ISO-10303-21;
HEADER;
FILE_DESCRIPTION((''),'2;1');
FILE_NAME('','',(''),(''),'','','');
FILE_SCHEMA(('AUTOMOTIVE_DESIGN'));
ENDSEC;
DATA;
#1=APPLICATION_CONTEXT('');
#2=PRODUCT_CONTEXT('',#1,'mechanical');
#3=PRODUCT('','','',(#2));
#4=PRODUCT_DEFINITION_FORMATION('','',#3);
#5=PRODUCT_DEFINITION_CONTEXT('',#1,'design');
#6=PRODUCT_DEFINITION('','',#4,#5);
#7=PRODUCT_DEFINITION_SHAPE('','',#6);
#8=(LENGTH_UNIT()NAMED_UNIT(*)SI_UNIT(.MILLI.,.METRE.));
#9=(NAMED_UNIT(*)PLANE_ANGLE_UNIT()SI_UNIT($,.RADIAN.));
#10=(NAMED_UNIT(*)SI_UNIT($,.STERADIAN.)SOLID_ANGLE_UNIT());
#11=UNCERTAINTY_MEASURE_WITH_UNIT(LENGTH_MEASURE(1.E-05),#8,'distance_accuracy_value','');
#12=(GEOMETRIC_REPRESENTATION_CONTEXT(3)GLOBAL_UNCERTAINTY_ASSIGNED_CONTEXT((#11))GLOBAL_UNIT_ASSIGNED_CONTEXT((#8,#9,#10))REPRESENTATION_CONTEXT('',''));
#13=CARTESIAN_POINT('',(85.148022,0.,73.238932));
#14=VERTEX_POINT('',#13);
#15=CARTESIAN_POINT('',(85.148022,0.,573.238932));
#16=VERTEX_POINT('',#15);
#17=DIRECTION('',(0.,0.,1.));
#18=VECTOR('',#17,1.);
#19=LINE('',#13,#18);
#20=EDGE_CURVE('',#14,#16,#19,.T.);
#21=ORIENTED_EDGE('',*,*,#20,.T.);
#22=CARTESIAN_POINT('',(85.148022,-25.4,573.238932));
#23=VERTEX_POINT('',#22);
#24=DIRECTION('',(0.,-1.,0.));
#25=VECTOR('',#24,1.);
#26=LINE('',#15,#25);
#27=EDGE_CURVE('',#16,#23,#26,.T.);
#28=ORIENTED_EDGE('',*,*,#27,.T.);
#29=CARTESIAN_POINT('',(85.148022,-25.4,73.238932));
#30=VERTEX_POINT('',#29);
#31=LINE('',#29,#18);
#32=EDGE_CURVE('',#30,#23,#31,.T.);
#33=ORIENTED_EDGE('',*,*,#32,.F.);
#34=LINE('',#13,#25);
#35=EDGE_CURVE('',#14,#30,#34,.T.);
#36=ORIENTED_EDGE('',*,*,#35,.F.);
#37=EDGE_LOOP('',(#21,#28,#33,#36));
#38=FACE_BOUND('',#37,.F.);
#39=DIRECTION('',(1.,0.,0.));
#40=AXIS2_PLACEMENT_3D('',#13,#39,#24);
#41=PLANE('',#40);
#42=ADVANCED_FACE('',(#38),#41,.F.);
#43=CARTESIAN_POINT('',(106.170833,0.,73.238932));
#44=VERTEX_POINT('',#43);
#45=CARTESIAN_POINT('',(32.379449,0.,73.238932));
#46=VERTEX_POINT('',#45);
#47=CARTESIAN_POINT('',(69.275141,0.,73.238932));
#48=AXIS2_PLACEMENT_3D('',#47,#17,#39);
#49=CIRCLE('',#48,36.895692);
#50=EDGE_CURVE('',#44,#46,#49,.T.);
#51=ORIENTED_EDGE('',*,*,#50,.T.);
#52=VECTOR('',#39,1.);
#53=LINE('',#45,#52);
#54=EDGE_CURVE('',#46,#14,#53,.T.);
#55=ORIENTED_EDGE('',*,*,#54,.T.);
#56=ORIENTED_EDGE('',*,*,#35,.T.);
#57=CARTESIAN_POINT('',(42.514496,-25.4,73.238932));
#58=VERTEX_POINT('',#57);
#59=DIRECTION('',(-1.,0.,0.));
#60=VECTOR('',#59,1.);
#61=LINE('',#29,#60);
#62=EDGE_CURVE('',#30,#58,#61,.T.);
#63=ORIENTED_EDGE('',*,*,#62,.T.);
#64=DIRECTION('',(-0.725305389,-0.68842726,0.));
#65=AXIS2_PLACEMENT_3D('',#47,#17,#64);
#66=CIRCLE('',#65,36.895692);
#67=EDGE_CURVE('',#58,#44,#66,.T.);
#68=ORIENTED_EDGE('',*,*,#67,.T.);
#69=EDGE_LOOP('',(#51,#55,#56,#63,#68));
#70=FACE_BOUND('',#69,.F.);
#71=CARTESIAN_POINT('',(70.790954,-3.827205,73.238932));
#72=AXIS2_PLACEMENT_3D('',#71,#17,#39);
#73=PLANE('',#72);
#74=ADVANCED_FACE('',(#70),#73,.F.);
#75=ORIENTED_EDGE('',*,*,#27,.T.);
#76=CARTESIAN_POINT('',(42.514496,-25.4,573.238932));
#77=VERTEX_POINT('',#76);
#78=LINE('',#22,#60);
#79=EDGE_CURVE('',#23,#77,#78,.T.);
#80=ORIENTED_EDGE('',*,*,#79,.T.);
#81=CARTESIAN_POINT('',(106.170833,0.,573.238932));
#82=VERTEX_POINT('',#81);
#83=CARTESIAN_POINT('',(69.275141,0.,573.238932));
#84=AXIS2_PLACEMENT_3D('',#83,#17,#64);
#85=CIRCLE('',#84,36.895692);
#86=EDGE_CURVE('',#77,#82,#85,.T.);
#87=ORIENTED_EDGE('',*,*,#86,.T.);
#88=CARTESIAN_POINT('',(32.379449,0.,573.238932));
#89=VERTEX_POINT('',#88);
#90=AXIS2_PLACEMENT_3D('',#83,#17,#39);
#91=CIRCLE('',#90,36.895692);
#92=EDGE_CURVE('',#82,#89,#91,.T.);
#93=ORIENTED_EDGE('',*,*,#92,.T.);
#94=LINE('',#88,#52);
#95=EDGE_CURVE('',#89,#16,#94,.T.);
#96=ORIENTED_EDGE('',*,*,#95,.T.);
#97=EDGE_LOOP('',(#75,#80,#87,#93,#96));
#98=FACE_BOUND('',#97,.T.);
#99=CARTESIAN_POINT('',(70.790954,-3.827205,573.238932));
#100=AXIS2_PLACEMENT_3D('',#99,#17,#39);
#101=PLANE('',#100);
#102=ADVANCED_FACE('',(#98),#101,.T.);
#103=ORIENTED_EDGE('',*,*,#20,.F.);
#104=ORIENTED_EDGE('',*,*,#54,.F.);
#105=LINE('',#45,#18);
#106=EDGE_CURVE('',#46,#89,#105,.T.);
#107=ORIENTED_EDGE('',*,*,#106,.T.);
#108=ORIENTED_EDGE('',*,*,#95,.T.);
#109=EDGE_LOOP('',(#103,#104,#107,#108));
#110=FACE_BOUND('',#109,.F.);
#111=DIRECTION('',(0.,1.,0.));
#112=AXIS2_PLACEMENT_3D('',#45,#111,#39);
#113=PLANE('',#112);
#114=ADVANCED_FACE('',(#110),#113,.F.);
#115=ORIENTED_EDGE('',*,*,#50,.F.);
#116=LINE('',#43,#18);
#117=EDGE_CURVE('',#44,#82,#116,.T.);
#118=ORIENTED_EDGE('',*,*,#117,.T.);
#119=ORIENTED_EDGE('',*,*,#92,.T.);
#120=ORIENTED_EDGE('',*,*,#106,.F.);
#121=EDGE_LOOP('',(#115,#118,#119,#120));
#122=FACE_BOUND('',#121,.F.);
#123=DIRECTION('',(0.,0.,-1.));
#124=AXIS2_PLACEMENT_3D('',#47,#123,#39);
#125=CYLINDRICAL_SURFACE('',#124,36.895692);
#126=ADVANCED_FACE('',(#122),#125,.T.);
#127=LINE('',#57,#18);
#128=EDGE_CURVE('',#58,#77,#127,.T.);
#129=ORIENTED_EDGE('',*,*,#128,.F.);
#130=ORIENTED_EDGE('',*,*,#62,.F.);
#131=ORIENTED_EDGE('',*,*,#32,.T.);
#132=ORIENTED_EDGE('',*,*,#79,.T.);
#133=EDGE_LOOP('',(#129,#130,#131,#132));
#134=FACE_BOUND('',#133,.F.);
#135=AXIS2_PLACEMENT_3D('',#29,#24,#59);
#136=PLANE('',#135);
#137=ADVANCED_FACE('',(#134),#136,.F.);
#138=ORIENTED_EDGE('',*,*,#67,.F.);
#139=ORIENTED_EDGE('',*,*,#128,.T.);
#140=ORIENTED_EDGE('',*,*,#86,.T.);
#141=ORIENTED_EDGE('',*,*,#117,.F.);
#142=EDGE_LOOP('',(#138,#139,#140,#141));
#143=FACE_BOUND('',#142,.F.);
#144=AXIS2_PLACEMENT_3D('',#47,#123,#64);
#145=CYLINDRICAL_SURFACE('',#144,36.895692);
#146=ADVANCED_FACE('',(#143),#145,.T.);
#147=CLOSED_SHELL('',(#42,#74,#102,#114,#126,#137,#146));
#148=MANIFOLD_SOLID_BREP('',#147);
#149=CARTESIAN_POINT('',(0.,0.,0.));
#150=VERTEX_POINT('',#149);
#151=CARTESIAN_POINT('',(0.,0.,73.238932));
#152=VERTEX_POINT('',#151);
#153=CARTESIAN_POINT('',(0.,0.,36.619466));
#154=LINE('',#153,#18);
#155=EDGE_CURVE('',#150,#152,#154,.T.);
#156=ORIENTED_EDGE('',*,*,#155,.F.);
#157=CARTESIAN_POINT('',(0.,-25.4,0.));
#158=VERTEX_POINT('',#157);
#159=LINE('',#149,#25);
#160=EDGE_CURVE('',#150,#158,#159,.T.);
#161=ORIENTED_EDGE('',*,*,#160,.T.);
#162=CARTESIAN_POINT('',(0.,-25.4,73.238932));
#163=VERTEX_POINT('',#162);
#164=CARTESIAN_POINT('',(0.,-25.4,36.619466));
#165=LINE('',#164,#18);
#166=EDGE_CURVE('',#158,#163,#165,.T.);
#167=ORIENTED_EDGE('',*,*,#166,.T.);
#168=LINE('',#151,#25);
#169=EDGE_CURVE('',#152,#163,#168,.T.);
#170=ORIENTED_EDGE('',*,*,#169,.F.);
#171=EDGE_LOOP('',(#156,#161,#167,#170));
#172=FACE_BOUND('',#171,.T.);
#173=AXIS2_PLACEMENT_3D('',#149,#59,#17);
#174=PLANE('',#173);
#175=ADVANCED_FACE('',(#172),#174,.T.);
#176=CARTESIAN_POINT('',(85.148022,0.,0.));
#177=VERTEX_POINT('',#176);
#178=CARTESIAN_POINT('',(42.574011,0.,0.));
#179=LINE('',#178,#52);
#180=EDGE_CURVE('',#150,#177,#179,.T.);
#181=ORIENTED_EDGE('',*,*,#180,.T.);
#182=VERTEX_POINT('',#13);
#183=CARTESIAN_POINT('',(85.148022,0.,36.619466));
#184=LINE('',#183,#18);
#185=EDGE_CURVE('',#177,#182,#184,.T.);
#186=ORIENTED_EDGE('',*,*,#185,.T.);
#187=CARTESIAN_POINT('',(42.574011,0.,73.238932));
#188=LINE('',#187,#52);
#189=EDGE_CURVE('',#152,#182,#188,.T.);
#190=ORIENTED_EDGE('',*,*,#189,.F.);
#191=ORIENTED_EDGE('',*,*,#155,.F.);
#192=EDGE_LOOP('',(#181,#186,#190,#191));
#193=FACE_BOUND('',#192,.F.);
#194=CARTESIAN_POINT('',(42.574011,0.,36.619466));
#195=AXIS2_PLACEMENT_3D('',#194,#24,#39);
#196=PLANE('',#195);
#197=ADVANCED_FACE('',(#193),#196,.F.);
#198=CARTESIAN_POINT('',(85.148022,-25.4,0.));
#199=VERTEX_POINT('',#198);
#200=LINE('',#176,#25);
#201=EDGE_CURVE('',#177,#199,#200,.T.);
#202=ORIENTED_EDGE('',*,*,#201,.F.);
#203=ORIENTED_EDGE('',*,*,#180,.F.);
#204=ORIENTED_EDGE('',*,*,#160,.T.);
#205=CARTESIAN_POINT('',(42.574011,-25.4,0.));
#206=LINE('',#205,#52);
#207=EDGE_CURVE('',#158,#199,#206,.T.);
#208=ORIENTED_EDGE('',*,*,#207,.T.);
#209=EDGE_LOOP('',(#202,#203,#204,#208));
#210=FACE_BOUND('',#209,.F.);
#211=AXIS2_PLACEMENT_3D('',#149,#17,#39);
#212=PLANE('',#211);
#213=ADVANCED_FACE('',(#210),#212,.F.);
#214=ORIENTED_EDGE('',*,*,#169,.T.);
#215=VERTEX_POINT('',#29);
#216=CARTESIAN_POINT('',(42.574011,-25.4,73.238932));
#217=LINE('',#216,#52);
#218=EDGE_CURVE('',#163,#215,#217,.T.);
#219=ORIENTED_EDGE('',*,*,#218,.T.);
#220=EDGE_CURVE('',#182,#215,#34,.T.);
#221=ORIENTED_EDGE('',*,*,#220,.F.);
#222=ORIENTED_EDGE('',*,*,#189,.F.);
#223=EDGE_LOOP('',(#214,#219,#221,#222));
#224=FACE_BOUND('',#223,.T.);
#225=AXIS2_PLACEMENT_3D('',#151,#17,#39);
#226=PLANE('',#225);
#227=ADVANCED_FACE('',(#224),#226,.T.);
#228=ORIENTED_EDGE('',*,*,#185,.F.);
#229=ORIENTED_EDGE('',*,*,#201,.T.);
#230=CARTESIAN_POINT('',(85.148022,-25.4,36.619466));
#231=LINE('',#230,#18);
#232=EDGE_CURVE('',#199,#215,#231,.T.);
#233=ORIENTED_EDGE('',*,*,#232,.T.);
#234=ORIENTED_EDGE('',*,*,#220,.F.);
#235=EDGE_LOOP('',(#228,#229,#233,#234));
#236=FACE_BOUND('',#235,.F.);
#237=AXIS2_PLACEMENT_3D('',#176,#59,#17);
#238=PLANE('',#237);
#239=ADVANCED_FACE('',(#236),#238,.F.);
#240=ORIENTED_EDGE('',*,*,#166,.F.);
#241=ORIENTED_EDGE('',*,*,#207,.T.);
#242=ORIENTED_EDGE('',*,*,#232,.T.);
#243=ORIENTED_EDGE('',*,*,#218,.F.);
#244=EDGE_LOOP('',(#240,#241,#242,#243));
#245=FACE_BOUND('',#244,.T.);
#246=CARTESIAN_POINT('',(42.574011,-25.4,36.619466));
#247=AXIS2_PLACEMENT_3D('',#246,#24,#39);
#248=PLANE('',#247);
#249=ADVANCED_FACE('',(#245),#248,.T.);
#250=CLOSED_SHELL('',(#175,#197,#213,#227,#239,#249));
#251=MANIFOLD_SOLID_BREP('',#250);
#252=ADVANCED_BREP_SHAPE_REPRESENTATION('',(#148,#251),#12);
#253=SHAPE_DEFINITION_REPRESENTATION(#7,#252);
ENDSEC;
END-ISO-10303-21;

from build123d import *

# Parameters (mm, degrees)
F0_W     = 85.148022
F0_H     = 73.238932
F1_DEPTH = 25.4
F3_DEPTH = 500


with BuildPart() as f1:
    # F0 (on Front) → F1 (new body)
    with BuildSketch(Plane.XZ):
        with Locations((42.574011, 36.619466)):
            Rectangle(F0_W, F0_H)
    extrude(amount=F1_DEPTH)


with BuildPart() as f3:
    # F2 (on face) → F3 (new body)
    with BuildSketch(Plane.XY.offset(73.238932)):
        with BuildLine():
            ThreePointArc((42.514496, -25.4), (82.948831, -34.268386), (106.170833, 0))
            ThreePointArc((106.170833, 0), (69.275141, 36.895692), (32.379449, 0))
            Line((32.379449, 0), (85.148022, 0))
            Line((85.148022, 0), (85.148022, -25.4))
            Line((85.148022, -25.4), (42.514496, -25.4))
        make_face()
    extrude(amount=F3_DEPTH)


solid = Compound([f1.part, f3.part])
